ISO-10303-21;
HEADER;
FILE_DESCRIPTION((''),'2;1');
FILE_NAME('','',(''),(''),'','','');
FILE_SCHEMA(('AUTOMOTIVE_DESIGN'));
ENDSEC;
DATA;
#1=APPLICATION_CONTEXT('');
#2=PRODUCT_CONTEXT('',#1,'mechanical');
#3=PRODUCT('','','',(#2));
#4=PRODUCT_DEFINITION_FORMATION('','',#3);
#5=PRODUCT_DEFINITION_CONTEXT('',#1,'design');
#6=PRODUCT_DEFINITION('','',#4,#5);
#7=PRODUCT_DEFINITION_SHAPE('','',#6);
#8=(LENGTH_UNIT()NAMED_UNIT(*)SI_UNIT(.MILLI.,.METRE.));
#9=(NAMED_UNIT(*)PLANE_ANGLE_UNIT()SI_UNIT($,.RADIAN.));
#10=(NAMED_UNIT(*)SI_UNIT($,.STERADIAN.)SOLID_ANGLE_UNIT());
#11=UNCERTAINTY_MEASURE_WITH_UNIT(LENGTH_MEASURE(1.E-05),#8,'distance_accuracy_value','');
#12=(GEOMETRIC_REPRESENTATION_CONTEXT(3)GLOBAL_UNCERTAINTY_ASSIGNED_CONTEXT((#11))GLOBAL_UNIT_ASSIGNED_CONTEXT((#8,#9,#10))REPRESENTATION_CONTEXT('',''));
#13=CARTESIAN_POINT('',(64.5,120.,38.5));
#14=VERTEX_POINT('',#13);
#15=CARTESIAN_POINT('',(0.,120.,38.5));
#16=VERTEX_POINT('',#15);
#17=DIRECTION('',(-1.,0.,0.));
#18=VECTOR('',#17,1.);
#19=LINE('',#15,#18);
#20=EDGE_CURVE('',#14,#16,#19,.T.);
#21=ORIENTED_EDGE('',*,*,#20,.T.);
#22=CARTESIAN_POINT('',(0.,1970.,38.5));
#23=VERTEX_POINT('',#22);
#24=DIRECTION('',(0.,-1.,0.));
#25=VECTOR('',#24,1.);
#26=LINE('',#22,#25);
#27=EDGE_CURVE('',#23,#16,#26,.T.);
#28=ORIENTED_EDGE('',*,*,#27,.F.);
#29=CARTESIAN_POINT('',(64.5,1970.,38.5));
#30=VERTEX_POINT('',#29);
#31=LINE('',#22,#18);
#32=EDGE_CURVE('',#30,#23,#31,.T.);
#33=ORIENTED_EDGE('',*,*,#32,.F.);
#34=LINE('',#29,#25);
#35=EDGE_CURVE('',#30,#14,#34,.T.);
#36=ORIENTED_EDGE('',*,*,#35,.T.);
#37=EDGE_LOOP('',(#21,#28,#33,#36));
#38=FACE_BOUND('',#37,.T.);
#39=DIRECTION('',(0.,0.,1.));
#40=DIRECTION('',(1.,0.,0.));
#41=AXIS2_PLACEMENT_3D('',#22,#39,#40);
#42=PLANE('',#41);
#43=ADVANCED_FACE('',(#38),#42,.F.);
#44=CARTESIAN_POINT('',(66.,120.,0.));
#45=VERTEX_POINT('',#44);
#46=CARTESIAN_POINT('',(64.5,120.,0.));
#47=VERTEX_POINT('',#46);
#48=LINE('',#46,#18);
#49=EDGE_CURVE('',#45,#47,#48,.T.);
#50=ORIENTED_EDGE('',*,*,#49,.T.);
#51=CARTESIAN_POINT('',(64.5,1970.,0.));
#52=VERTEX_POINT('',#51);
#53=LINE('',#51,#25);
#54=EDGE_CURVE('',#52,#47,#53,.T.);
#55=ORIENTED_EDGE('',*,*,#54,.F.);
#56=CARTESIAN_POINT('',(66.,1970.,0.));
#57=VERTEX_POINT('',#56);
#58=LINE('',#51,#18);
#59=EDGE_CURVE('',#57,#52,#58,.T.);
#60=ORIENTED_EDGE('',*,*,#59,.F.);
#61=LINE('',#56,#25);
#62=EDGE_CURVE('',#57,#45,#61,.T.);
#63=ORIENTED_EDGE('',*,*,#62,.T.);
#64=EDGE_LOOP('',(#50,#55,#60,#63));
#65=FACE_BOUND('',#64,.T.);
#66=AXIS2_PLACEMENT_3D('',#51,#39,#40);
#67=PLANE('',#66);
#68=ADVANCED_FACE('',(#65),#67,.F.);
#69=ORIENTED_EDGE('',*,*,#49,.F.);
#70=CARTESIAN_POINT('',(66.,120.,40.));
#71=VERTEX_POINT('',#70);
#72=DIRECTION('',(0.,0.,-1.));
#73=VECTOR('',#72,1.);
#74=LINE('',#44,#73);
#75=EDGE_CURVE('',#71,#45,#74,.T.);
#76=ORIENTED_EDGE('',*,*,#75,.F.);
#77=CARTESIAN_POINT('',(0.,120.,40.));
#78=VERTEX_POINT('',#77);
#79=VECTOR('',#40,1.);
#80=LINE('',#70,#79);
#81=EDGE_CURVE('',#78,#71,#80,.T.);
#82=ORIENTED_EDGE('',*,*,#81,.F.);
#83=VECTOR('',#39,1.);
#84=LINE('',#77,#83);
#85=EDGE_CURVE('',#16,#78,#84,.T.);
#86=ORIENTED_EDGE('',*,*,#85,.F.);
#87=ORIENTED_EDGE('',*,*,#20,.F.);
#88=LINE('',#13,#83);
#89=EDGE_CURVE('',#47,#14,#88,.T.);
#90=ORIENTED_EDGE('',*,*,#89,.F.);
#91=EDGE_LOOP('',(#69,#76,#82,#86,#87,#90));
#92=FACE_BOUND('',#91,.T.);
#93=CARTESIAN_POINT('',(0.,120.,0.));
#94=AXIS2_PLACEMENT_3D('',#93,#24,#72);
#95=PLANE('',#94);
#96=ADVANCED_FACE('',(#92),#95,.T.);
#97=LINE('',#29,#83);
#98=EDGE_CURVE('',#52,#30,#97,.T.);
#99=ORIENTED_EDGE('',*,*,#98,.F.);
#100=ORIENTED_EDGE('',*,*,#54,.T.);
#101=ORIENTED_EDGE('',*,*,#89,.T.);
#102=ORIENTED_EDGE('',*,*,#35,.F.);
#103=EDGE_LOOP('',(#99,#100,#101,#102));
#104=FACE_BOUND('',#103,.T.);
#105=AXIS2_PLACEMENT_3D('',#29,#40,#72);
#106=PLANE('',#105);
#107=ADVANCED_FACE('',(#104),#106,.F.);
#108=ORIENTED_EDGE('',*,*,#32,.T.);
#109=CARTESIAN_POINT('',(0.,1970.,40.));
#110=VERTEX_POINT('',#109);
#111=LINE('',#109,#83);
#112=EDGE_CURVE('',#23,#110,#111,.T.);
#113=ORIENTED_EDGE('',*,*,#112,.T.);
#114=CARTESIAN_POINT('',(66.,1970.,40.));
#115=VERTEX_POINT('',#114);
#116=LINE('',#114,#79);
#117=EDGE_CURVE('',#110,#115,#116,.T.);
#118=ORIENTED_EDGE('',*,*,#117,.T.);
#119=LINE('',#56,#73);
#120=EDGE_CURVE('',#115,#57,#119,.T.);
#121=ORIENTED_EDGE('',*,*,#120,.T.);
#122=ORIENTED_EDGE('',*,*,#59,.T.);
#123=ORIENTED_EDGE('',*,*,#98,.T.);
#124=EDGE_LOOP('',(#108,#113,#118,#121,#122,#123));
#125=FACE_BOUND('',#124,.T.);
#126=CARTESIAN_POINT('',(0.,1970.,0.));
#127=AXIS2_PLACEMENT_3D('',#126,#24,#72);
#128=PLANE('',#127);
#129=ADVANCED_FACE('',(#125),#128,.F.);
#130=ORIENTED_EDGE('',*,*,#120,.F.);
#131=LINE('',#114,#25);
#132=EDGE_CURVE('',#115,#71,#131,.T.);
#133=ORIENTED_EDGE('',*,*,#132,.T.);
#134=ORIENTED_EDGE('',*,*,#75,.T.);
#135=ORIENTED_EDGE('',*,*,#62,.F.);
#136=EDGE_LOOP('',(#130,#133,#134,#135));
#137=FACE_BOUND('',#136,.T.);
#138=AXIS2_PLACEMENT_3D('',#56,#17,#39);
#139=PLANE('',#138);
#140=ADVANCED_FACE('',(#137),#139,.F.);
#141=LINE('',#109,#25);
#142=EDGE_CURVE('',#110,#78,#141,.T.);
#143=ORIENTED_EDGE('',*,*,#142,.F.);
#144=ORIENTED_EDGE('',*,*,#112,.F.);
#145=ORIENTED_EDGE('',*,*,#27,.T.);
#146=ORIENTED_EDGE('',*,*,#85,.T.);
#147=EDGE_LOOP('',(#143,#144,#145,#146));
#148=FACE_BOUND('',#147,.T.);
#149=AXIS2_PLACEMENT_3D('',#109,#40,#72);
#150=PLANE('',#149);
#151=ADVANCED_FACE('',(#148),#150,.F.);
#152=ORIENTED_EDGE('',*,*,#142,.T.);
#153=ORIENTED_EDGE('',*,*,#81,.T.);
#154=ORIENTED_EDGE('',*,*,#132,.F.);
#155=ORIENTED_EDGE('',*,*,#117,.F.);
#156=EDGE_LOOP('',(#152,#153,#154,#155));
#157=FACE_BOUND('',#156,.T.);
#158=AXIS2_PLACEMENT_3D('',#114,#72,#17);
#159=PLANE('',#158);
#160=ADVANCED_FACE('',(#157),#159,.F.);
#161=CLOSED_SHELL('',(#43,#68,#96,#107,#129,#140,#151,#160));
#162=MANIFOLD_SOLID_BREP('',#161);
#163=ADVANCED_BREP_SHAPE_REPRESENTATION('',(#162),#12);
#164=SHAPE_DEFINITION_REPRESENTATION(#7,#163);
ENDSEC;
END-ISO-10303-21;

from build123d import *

# Parameters (mm, degrees)
STORE_SOVE_SOL_1_START = 120
STORE_SOVE_SOL_1_DEPTH = 1850


with BuildPart() as part:
    # Sketch1 → STORE_sove_sol_1 (new body)
    with BuildSketch(Plane(origin=(0, 0, 0), x_dir=(1, 0, 0), z_dir=(0, 1, 0)).offset(STORE_SOVE_SOL_1_START)):
        Polygon((0, -40), (0, -38.5), (64.5, -38.5), (64.5, 0), (66, 0), (66, -40), align=None)
    extrude(amount=STORE_SOVE_SOL_1_DEPTH)


solid = part.part
